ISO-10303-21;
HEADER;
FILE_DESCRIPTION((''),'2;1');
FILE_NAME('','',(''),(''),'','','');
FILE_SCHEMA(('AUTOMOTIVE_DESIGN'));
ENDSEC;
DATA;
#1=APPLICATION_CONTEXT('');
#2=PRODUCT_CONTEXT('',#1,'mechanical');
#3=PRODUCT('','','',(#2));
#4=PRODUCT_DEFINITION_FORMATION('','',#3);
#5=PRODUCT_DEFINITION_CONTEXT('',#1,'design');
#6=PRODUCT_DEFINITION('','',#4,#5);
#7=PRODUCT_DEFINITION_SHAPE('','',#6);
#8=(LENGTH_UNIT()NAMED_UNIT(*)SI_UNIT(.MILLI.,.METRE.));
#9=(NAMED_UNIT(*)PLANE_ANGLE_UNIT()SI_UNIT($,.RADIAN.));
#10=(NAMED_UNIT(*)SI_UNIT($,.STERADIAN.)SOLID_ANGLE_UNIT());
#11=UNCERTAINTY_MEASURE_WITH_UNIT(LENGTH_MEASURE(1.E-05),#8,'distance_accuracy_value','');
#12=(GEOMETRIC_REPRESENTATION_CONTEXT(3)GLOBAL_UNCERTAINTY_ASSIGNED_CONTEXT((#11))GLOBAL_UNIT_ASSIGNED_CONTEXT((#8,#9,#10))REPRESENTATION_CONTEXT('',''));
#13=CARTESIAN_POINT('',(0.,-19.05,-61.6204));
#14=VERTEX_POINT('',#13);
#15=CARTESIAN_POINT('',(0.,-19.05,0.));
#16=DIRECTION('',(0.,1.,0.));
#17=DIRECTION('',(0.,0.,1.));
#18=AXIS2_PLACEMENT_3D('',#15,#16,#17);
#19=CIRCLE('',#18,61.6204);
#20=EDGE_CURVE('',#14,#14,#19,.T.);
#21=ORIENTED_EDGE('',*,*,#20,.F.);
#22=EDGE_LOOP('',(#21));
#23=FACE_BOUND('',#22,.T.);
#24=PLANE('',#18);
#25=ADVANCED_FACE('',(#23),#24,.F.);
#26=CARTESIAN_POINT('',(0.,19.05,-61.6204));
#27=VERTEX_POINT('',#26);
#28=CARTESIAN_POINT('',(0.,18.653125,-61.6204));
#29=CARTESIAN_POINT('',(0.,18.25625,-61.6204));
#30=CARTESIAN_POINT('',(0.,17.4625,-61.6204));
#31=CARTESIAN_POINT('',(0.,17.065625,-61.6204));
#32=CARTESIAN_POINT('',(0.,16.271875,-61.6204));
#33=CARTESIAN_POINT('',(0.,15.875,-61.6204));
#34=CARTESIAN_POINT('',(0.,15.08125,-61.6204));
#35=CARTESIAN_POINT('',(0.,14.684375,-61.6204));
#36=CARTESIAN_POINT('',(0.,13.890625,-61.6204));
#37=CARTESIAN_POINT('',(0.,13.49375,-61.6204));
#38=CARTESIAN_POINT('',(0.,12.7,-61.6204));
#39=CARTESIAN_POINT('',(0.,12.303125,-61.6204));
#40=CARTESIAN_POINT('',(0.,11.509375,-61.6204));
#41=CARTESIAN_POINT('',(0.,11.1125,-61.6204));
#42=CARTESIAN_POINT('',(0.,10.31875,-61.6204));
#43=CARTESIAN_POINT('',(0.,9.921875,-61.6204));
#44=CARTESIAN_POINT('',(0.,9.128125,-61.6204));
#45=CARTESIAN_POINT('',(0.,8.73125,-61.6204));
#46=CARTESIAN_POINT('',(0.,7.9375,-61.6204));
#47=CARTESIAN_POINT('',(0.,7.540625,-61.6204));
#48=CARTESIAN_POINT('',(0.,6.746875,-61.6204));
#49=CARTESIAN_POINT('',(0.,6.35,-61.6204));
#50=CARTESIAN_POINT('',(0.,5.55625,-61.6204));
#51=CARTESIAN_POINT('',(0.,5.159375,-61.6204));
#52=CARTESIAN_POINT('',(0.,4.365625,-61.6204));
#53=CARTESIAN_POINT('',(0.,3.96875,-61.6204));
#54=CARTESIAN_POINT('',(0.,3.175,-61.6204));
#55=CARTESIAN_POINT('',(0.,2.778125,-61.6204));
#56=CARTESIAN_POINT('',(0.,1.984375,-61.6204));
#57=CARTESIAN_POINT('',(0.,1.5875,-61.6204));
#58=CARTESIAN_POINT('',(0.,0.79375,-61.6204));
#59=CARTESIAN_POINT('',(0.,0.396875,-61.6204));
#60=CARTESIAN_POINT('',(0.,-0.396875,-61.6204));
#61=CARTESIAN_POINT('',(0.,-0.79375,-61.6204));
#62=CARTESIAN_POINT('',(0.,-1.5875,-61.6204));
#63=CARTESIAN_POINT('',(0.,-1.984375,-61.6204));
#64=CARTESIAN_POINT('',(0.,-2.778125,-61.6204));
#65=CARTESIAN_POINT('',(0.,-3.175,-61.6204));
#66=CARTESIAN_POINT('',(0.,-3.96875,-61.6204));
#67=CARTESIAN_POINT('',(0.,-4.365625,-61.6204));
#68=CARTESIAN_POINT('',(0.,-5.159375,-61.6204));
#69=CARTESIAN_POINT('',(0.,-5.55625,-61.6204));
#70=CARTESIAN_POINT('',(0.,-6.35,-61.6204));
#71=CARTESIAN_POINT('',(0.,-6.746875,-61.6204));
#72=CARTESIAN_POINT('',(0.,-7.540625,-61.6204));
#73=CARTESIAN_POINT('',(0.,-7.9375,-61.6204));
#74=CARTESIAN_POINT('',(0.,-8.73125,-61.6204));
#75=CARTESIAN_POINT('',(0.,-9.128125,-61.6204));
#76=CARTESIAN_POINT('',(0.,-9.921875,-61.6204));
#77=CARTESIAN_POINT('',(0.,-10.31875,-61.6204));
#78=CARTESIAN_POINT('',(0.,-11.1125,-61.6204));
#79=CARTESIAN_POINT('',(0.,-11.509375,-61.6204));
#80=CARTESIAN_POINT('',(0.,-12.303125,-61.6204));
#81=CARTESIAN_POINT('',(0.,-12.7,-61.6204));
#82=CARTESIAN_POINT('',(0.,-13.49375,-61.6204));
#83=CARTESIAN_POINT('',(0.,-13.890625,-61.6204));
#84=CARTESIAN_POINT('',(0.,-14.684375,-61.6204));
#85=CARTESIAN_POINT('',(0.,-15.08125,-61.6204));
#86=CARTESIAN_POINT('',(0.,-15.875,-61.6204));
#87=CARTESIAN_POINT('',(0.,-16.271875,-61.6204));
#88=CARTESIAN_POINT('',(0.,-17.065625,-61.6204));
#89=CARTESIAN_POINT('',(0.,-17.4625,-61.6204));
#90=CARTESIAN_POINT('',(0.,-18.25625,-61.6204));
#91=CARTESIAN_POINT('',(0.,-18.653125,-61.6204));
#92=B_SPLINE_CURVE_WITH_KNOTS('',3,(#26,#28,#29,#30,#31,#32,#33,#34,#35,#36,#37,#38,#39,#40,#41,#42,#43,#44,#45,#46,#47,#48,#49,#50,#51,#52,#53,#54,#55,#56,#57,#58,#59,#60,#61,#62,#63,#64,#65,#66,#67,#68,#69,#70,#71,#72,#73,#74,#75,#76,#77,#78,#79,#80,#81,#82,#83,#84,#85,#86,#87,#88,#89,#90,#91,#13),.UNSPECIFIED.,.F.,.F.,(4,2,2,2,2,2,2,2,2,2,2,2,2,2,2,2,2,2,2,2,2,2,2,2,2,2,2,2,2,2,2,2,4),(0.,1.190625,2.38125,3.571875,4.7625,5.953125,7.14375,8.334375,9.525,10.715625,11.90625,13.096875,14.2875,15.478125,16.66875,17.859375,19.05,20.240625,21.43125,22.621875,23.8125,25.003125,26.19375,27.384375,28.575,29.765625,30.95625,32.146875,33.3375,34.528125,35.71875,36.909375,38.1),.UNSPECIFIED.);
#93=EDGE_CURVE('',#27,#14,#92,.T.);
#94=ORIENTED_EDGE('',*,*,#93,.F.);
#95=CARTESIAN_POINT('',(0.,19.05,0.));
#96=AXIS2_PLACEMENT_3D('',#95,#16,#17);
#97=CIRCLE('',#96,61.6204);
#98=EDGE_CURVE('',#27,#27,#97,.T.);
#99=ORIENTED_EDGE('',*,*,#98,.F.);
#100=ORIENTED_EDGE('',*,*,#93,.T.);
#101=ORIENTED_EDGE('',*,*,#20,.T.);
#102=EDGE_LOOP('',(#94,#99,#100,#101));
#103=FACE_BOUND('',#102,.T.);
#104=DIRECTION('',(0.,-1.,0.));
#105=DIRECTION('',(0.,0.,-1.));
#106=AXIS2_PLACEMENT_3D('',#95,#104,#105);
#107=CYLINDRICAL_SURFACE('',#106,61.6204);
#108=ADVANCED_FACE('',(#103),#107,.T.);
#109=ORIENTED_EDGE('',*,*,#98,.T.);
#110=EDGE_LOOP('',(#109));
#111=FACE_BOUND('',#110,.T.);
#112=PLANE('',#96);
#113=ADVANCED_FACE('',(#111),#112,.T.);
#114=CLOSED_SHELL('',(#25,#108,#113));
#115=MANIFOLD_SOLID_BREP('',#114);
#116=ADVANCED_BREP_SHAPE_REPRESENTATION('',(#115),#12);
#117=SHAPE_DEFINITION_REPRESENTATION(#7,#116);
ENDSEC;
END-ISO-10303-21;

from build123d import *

# Parameters (mm, degrees)
SKETCH2_R           = 61.6204
BOSS_EXTRUDE1_DEPTH = 19.05


with BuildPart() as part:
    # Sketch2 → Boss-Extrude1 (new, symmetric)
    with BuildSketch(Plane(origin=(0, 0, 0), x_dir=(1, 0, 0), z_dir=(0, 1, 0))):
        with Locations(Location((0, 0, 0), (0, 0, 90))):
            Circle(SKETCH2_R)
    extrude(amount=BOSS_EXTRUDE1_DEPTH, both=True)


solid = part.part
